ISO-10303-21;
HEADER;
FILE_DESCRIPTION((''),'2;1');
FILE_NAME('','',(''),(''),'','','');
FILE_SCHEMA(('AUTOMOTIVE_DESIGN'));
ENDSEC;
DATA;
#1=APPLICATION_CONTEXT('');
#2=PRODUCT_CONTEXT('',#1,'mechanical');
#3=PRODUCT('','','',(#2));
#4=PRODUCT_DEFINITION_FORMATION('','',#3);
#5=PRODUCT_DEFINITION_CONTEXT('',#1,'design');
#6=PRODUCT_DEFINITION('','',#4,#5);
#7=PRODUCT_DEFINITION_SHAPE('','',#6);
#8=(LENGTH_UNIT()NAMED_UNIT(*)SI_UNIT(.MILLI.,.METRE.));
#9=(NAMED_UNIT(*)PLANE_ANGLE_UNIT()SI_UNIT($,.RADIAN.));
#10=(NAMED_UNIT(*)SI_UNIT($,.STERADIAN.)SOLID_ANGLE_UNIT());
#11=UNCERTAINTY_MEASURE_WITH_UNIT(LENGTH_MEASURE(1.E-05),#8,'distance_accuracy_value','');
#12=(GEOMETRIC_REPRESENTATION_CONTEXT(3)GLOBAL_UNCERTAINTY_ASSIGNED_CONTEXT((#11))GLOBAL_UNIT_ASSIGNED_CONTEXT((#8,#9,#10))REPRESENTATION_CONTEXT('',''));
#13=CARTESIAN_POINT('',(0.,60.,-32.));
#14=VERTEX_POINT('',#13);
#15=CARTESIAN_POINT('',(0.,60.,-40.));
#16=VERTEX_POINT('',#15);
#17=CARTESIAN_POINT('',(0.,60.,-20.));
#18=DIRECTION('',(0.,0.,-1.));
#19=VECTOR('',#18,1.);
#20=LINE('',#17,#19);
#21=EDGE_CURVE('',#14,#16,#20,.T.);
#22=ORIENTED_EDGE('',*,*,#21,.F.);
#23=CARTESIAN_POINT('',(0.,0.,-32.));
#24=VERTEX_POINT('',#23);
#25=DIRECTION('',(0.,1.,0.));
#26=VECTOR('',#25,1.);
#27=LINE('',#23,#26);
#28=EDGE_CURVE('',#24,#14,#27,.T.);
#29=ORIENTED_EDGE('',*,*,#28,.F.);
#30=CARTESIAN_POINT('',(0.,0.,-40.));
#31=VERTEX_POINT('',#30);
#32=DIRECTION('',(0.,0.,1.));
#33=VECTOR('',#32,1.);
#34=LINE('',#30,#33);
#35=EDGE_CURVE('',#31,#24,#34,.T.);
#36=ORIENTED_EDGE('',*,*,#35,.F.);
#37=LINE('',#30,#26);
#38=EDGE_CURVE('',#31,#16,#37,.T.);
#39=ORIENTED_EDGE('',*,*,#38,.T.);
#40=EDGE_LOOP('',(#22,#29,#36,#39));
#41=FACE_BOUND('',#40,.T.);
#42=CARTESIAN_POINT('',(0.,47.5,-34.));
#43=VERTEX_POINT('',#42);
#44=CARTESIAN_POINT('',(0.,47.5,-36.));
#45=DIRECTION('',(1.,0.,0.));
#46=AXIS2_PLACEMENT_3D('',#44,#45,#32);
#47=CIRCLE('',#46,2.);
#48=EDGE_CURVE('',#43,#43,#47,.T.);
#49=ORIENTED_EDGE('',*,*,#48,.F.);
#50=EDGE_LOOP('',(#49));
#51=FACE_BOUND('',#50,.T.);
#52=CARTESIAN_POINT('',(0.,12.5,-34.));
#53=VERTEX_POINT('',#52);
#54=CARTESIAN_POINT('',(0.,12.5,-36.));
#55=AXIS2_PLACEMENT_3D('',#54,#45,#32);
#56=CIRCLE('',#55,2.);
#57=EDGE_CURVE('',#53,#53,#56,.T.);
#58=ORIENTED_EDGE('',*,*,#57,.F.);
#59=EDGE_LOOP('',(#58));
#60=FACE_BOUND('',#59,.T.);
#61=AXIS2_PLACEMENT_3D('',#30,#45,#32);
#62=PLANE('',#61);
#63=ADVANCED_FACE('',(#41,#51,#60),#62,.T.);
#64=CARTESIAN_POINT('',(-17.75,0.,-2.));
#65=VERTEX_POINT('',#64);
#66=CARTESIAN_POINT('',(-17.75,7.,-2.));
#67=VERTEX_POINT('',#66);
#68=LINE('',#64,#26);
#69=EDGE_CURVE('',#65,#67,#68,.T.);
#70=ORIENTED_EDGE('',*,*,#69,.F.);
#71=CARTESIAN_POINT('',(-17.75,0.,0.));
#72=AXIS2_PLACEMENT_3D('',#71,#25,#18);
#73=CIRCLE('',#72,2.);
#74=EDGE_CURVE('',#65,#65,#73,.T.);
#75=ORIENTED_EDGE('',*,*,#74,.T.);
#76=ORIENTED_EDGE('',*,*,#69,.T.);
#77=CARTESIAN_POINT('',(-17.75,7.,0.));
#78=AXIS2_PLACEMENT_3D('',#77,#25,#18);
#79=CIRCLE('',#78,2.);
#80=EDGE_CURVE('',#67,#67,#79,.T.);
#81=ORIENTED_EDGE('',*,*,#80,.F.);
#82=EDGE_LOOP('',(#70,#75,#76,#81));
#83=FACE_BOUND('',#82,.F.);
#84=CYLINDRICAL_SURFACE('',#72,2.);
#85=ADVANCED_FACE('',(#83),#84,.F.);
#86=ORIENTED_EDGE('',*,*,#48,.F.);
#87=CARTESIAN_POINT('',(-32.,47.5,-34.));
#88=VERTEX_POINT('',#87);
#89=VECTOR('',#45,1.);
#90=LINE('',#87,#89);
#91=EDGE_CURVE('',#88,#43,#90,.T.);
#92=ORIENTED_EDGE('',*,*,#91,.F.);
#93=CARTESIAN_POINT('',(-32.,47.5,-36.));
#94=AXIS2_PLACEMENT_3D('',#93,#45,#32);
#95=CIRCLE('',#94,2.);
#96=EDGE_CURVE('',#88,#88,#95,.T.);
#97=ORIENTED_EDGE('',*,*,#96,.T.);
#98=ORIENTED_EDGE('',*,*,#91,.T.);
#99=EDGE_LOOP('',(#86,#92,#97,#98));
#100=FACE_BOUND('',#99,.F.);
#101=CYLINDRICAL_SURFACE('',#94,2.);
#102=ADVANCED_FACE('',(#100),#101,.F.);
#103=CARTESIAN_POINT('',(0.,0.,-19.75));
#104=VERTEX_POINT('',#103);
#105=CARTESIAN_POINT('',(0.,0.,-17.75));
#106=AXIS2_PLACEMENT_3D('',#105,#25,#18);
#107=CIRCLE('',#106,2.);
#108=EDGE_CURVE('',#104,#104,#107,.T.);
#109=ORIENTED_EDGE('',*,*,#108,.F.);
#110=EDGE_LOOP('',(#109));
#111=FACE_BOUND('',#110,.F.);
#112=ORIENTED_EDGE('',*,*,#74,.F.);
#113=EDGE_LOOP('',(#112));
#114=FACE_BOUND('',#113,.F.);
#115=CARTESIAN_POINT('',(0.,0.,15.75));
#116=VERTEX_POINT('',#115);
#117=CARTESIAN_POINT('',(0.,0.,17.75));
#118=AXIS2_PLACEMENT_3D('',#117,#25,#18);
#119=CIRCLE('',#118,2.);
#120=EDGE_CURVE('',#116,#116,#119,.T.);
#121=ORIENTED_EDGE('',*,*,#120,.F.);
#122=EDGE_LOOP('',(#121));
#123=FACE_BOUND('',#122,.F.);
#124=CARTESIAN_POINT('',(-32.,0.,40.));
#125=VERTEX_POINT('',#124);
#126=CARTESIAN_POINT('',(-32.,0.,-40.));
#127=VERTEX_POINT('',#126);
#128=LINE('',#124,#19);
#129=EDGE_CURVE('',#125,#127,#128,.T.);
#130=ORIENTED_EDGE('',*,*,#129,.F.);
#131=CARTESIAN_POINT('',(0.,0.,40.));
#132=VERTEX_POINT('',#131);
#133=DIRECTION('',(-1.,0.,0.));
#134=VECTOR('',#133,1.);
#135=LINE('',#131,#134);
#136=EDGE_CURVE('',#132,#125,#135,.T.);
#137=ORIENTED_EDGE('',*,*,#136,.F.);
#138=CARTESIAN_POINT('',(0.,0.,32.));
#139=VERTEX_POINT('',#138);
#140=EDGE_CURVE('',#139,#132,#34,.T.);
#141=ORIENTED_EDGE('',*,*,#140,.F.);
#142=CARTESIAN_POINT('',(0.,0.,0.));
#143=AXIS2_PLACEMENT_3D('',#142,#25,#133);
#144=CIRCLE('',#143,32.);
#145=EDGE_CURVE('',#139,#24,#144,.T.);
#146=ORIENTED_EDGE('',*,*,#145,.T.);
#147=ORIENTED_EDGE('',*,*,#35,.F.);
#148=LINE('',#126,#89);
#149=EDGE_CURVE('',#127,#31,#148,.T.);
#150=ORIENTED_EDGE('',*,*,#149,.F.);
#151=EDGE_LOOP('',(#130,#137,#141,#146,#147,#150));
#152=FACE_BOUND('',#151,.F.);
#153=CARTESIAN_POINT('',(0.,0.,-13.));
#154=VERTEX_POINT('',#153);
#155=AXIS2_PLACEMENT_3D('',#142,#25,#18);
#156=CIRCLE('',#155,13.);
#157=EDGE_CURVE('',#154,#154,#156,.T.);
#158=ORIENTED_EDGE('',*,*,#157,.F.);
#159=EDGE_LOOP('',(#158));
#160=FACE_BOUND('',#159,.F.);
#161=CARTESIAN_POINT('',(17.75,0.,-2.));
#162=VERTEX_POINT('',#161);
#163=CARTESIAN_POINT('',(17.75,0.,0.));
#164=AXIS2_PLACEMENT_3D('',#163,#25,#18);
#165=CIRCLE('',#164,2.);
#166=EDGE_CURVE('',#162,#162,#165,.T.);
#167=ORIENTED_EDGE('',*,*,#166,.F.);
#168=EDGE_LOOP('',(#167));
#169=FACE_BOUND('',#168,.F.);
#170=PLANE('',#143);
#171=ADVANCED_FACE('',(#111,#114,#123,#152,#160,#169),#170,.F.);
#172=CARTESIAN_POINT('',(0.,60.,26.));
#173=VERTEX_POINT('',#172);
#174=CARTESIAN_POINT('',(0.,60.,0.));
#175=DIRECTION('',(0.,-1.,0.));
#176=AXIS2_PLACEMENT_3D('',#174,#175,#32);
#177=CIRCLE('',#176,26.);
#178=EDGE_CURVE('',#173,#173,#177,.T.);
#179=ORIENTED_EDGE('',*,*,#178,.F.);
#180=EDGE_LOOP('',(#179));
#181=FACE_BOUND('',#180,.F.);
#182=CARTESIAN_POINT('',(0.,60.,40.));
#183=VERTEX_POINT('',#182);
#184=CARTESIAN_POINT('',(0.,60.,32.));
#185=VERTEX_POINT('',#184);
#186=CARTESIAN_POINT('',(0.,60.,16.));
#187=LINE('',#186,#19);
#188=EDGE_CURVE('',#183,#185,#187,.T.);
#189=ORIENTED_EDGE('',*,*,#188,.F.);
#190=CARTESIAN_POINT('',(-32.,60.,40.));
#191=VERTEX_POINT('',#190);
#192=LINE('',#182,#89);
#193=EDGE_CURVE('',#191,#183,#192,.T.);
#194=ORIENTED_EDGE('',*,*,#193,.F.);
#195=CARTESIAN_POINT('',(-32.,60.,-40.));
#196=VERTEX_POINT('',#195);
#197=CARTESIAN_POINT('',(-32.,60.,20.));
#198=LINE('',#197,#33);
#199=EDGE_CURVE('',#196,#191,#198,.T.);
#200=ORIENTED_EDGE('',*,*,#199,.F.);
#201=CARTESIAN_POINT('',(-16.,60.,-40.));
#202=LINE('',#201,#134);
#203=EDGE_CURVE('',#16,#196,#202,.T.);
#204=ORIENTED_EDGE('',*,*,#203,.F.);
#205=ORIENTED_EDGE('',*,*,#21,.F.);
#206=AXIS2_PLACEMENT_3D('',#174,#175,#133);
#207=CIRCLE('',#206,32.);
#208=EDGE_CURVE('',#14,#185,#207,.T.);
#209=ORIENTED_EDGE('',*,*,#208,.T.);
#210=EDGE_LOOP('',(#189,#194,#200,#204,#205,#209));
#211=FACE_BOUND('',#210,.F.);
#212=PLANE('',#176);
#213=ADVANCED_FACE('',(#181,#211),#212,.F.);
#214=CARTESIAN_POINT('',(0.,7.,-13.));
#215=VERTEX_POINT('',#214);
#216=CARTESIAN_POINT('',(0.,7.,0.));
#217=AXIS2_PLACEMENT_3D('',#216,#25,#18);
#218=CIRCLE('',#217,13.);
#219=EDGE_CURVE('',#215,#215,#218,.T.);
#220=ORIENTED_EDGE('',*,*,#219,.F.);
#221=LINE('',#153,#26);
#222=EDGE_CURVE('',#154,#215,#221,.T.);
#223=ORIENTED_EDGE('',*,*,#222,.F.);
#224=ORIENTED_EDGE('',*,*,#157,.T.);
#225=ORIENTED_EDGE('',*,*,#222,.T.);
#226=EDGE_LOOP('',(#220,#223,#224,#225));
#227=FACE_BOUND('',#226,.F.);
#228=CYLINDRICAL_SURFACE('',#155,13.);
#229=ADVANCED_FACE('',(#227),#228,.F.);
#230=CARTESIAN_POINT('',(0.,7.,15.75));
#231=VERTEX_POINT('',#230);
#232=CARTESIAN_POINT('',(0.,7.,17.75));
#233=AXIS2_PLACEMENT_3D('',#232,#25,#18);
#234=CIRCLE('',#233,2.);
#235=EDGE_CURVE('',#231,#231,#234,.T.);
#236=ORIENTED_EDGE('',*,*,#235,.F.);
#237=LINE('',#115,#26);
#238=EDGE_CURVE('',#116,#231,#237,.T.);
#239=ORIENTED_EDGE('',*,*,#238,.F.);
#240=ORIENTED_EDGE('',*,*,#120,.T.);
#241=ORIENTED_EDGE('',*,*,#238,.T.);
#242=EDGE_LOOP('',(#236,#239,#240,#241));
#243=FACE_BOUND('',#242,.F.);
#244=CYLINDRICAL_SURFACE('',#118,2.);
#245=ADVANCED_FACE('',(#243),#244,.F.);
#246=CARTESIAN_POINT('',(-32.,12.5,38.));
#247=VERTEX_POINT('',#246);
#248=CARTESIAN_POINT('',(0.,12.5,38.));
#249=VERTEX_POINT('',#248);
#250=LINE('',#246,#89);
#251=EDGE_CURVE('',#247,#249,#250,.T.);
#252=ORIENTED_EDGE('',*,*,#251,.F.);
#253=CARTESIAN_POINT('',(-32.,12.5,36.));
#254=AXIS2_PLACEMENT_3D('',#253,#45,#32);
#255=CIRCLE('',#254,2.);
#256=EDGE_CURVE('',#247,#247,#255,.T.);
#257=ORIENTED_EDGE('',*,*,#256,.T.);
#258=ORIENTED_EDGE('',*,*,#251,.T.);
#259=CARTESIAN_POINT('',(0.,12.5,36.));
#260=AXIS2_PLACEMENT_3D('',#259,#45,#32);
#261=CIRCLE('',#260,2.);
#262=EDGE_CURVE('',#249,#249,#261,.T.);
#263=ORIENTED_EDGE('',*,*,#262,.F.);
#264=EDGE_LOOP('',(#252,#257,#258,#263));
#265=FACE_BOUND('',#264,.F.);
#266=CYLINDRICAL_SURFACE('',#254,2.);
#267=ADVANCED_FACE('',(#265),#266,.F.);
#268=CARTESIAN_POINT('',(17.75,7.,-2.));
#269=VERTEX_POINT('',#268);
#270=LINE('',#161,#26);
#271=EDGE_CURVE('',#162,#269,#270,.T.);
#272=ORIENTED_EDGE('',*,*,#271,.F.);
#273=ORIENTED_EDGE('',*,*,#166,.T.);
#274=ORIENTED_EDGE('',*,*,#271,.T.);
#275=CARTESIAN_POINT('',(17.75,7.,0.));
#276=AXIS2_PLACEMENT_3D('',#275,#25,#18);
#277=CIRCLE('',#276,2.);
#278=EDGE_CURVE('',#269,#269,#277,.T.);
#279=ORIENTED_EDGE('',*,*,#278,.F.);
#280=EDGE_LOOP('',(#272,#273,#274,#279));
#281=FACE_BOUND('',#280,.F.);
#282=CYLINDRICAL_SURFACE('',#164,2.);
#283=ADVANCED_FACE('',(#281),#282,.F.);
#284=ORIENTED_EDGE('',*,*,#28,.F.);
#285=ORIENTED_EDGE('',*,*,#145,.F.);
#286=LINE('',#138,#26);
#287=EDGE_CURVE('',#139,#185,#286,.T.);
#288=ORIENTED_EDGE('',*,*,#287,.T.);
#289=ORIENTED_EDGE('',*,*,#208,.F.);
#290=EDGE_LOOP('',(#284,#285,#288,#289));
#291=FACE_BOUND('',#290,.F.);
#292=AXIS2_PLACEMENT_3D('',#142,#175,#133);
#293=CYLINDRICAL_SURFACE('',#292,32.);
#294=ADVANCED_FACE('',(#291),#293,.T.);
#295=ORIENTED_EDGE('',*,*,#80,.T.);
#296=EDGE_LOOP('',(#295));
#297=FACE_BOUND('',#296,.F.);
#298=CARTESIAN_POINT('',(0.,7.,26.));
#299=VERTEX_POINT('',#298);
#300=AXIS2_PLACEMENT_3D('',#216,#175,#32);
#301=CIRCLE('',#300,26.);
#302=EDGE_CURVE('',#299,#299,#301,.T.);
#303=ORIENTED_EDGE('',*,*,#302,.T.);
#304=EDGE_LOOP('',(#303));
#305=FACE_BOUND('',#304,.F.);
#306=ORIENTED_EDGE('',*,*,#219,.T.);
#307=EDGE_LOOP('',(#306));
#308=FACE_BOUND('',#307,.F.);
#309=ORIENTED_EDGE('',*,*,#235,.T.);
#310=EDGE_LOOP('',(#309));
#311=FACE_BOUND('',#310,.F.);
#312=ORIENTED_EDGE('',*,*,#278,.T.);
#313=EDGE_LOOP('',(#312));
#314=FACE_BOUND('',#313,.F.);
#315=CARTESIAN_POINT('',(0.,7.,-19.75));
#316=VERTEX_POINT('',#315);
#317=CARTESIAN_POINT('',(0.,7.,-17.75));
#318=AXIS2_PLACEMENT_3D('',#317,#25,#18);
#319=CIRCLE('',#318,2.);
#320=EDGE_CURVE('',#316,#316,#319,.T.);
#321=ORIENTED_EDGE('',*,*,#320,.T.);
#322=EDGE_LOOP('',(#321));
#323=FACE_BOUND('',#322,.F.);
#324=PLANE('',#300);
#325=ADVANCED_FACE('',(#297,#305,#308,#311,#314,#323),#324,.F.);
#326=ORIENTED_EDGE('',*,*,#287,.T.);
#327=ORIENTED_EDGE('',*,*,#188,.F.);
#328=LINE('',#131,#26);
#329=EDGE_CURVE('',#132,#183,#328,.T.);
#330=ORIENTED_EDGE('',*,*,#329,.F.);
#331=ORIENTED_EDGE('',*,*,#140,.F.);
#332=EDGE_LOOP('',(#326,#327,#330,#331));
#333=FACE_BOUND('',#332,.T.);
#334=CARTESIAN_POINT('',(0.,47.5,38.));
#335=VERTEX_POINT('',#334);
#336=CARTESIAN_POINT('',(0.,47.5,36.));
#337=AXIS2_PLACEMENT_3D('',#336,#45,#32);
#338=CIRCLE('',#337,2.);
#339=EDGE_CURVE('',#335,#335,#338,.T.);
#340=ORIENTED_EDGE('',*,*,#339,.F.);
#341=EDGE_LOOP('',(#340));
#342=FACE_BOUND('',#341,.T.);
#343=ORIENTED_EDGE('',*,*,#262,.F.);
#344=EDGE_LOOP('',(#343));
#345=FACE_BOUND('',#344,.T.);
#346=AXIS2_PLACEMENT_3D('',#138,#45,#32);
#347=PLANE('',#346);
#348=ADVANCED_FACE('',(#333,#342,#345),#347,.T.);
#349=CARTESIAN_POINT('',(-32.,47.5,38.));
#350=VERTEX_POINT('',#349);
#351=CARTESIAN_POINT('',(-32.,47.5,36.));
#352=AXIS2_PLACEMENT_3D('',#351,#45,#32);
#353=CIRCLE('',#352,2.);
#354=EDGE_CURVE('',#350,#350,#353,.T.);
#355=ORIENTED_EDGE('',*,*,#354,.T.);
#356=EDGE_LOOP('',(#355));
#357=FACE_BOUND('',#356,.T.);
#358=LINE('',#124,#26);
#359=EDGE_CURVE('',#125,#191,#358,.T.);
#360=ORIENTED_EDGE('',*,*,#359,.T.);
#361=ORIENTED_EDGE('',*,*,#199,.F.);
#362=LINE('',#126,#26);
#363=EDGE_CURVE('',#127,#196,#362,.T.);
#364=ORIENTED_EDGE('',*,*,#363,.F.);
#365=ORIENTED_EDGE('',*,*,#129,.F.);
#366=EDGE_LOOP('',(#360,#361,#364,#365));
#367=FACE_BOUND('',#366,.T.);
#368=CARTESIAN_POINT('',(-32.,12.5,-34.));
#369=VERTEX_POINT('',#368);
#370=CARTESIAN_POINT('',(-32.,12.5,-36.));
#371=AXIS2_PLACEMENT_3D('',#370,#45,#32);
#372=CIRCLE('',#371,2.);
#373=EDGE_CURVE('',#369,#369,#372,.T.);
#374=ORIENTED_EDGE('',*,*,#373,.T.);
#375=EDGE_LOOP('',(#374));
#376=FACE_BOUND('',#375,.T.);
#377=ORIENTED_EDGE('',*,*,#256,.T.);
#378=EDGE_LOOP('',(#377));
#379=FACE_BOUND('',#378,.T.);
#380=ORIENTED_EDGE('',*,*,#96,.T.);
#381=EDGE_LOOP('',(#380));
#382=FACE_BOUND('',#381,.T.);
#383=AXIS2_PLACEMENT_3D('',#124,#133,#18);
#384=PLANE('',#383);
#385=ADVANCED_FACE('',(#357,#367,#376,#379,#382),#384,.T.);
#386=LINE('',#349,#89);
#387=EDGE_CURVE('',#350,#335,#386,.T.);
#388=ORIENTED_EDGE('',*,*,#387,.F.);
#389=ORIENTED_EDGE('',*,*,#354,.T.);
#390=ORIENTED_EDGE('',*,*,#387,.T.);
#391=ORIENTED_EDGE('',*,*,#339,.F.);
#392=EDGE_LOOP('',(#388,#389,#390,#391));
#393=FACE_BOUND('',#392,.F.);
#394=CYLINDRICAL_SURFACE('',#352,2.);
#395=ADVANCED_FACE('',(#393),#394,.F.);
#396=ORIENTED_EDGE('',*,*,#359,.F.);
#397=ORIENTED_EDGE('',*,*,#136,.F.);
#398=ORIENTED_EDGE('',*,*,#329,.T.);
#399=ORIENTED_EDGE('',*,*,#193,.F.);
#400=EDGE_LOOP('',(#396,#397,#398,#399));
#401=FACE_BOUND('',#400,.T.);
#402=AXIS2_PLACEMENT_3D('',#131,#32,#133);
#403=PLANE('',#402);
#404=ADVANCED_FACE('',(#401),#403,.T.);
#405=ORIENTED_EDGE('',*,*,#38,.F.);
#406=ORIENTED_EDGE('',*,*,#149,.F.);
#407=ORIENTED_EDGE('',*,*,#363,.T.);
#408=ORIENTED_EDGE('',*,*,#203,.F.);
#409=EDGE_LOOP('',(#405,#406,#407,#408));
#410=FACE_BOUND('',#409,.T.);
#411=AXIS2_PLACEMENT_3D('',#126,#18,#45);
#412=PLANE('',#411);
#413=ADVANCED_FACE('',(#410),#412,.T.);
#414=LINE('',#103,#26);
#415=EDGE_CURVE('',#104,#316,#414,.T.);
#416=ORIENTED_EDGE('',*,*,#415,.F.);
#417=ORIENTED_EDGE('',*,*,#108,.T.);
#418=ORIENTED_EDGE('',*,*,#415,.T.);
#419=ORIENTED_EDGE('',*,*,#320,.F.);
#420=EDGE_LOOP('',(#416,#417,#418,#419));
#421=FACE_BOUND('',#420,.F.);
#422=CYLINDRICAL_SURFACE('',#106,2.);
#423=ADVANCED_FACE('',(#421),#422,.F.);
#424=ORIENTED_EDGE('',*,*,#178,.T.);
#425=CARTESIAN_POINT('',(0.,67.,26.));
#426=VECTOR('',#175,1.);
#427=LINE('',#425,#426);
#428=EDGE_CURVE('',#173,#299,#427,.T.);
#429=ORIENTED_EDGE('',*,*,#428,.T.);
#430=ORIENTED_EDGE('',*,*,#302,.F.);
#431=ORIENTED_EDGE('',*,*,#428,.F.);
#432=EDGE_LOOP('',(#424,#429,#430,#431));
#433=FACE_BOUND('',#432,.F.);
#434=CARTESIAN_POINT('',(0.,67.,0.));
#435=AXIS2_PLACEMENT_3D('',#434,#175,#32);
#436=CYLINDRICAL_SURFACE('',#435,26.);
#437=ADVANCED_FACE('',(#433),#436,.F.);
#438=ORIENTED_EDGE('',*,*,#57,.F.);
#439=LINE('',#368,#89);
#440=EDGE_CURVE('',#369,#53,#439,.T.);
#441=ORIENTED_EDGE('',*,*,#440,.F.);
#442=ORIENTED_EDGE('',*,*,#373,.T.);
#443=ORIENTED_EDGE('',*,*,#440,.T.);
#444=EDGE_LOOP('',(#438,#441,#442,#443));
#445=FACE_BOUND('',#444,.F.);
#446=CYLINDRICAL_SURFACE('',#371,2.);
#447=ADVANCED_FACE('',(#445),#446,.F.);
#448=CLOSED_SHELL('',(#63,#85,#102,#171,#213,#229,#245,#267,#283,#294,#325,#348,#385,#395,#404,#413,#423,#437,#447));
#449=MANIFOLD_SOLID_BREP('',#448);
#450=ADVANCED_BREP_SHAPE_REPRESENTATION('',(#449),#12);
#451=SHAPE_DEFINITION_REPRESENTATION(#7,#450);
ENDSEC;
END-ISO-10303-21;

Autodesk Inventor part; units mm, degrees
ref_plane "YZ Plane" through (0, 0, 0) normal (1, 0, 0) x (0, 1, 0)
ref_plane "XZ Plane" through (0, 0, 0) normal (0, 1, 0) x (-1, 0, 0)
ref_plane "XY Plane" through (0, 0, 0) normal (0, 0, 1) x (1, 0, 0)
sketch "Boceto1" plane through (0, 0, 0) normal (0, 1, 0) x (-1, 0, 0)
  circle A0 centre (0, 0) radius 26
  circle A1 centre (0, 0) radius 32
  line L0 (0, 40) -> (32, 40)
  line L1 (32, 40) -> (32, -40)
  line L2 (32, -40) -> (0, -40)
  line L3 (0, -40) -> (0, 40)
  dimension "d0" = 52
  dimension "d1" = 64
  dimension "d2" = 40
  dimension "d3" = 80
  dimension "d4" = 32
  dimension "d5" = 32
extrude "Extrusión1" add sketch "Boceto1" along normal blind 67
sketch "Boceto2" plane through (0, 67, 0) normal (0, 1, 0) x (1, 0, 0)
  circle A0 centre (0, 0) radius 26
  dimension "d8" = 52
hole "Agujero1" at (0, 67, 0) direction (0, -1, 0) diameter 52 depth 60
sketch "Boceto3" plane through (0, 0, 0) normal (0, -1, 0) x (1, 0, 0)
  circle A0 centre (0, 0) radius 13
  dimension "d16" = 26
hole "Agujero2" at (0, 0, 0) direction (0, 1, 0) diameter 26 depth 60
sketch "Boceto4" plane through (0, 0, 0) normal (0, -1, 0) x (1, 0, 0)
  circle A0 centre (0, 0) radius 17.75
  circle A1 centre (17.75, 0) radius 2
  circle A2 centre (0, -17.75) radius 2
  circle A3 centre (-17.75, 0) radius 2
  circle A4 centre (0, 17.75) radius 2
  dimension "d24" = 35.5
  dimension "d25" = 4
  dimension "d26" = 4
  dimension "d27" = 4
  dimension "d28" = 4
hole "Agujero3" at (17.75, 0, 0) at (0, 0, -17.75) at (-17.75, 0, 0) at (0, 0, 17.75) direction (0, 1, 0) diameter 4 depth 60
sketch "Boceto5" plane through (0, 67, 0) normal (0, 1, 0) x (1, 0, 0)
  point P0 (0, 0)
  point P1 (0, 0)
hole "Agujero4" at (0, 67, 0) direction (0, -1, 0) diameter 200 depth 7
sketch "Boceto6" plane through (-32, 0, -40) normal (-1, 0, 0) x (0, 0, 1)
  line L0 (4, 12.5) -> (76, 12.5)
  line L1 (76, 12.5) -> (76, 47.5)
  line L2 (76, 47.5) -> (4, 47.5)
  line L3 (4, 47.5) -> (4, 12.5)
  line L4 (4, 12.5) -> (76, 47.5) construction
  line L5 (76, 12.5) -> (4, 47.5) construction
  line L6 (80, 0) -> (80, 60) projected
  line L7 (80, 60) -> (0, 60) projected
  circle A0 centre (4, 47.5) radius 2
  circle A1 centre (76, 47.5) radius 2
  circle A2 centre (76, 12.5) radius 2
  circle A3 centre (4, 12.5) radius 2
  point P0 (40, 0)
  point P1 (40, 30)
  dimension "d43" = 35
  dimension "d44" = 40
  dimension "d45" = 30
  dimension "d46" = 72
  dimension "d47" = 4
  dimension "d48" = 4
  dimension "d49" = 4
  dimension "d50" = 4
hole "Agujero5" at (-32, 47.5, -36) at (-32, 12.5, -36) at (-32, 12.5, 36) at (-32, 47.5, 36) direction (1, 0, 0) diameter 4 depth 32
properties part number "BracketHusillo"
